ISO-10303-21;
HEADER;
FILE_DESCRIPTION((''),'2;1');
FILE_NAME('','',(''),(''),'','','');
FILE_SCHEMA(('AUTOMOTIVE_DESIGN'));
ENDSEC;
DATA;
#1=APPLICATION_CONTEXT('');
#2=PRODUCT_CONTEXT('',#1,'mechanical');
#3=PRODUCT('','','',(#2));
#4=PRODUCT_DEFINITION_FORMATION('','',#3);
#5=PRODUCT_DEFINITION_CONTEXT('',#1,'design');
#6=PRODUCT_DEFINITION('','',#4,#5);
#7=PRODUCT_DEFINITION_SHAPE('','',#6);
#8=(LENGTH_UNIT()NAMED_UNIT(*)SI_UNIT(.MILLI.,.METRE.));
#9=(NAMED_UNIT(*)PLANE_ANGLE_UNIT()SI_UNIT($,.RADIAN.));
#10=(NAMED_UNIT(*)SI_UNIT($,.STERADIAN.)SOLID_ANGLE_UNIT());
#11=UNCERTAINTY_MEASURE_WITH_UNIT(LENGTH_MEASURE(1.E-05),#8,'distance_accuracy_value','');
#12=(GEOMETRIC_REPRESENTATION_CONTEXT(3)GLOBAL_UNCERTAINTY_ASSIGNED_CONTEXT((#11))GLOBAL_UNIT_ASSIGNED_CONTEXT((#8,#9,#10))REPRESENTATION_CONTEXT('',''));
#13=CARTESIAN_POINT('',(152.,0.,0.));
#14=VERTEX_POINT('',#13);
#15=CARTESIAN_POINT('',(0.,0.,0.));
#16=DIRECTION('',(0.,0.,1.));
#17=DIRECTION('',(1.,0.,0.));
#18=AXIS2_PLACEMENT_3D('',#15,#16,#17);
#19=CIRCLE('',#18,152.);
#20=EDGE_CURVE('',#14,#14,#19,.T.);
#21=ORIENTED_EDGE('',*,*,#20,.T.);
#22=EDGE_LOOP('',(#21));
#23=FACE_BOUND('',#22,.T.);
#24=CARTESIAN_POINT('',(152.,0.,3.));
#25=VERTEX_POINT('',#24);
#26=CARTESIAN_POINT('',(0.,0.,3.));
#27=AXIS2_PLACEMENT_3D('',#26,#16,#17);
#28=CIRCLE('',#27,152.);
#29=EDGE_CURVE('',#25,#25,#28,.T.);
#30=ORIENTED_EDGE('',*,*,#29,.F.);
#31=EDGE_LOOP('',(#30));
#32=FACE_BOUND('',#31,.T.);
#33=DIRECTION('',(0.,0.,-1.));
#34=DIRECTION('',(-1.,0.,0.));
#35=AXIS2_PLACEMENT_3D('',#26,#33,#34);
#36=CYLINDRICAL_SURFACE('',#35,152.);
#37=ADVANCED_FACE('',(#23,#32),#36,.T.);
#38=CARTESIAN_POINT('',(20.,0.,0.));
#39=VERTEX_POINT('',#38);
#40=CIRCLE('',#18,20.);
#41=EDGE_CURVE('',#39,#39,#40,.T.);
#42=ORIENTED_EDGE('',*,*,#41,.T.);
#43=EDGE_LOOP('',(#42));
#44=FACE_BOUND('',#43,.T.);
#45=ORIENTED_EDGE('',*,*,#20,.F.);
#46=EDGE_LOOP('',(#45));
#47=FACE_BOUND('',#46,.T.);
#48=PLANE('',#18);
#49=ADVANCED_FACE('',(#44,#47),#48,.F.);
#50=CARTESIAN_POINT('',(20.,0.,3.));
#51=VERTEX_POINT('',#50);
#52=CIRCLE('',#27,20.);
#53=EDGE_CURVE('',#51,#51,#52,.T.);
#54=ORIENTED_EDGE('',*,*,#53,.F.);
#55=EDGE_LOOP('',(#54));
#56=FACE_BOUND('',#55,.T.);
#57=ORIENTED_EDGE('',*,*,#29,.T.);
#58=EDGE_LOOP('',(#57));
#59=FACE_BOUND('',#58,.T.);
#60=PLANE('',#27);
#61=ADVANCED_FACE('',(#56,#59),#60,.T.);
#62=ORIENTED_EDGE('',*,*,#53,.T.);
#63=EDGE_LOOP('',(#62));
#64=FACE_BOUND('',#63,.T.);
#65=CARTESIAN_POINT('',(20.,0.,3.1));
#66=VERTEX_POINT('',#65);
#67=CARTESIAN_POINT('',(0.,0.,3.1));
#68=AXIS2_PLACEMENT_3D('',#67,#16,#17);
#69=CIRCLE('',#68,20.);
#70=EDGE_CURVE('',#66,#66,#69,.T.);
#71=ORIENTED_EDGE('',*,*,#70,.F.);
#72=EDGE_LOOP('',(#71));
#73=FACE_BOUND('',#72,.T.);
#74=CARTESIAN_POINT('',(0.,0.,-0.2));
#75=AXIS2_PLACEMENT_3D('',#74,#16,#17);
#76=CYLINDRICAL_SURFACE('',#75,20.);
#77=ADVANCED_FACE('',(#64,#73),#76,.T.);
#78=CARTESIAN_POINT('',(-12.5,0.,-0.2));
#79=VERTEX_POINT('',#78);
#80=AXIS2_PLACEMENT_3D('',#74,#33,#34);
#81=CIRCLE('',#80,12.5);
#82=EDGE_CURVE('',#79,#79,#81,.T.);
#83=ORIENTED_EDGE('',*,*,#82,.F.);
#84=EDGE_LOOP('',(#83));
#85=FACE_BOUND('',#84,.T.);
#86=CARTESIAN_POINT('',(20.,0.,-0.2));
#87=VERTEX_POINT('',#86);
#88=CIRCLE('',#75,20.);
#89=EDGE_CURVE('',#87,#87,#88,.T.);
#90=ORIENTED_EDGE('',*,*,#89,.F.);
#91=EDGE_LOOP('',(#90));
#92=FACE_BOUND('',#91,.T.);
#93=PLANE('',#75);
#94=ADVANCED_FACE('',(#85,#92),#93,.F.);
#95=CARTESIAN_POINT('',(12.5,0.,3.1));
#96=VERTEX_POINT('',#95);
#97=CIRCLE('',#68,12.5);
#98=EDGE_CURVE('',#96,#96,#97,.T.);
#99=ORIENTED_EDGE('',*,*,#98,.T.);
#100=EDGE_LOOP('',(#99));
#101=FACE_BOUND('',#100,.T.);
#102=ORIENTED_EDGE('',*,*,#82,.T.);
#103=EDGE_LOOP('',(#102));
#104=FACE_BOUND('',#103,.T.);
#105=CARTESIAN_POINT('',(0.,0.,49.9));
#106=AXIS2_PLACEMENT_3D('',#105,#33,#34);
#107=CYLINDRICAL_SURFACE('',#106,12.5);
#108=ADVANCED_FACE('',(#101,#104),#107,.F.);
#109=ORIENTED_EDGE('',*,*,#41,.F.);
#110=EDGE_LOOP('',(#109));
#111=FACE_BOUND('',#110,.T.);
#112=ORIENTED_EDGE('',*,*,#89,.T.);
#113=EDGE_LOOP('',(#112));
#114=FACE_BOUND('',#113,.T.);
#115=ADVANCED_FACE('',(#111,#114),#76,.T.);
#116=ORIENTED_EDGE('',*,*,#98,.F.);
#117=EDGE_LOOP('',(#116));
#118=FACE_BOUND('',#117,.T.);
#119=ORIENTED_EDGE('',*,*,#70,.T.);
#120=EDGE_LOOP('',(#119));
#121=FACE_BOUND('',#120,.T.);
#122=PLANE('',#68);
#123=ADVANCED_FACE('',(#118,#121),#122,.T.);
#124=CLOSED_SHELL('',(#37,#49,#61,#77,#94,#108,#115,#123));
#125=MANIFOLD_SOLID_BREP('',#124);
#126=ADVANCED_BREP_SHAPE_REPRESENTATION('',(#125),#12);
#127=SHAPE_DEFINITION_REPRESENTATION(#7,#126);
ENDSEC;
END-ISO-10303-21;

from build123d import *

# Parameters (mm, degrees)
SKETCH1_R                = 152
BOSS_EXTRUDE1_DEPTH      = 3
SKETCH2_R                = 12.5
CUT_EXTRUDE1_DEPTH       = 3
SKETCH3_R                = 20
BOSS_EXTRUDE2_DEPTH      = 0.1
BOSS_EXTRUDE2_DEPTH_BACK = 3.2
SKETCH4_R                = 12.5
CUT_EXTRUDE2_DEPTH       = 50.1


with BuildPart() as part:
    # Sketch1 → Boss-Extrude1 (new body)
    with BuildSketch(Plane.XY):
        Circle(SKETCH1_R)
    extrude(amount=BOSS_EXTRUDE1_DEPTH)

    # Sketch2 → Cut-Extrude1 (cut)
    with BuildSketch(Plane.XY.offset(3)):
        Circle(SKETCH2_R)
    extrude(amount=-CUT_EXTRUDE1_DEPTH, mode=Mode.SUBTRACT)

    # Sketch3 → Boss-Extrude2 (add, two sides)
    with BuildSketch(Plane.XY.offset(3)) as boss_extrude2_sk:
        Circle(SKETCH3_R)
    extrude(amount=BOSS_EXTRUDE2_DEPTH)
    extrude(boss_extrude2_sk.sketch, amount=-BOSS_EXTRUDE2_DEPTH_BACK)

    # Sketch4 → Cut-Extrude2 (cut)
    with BuildSketch(Plane(origin=(0, 0, -0.2), x_dir=(-1, 0, 0), z_dir=(0, 0, -1))):
        Circle(SKETCH4_R)
    extrude(amount=-CUT_EXTRUDE2_DEPTH, mode=Mode.SUBTRACT)


solid = part.part
